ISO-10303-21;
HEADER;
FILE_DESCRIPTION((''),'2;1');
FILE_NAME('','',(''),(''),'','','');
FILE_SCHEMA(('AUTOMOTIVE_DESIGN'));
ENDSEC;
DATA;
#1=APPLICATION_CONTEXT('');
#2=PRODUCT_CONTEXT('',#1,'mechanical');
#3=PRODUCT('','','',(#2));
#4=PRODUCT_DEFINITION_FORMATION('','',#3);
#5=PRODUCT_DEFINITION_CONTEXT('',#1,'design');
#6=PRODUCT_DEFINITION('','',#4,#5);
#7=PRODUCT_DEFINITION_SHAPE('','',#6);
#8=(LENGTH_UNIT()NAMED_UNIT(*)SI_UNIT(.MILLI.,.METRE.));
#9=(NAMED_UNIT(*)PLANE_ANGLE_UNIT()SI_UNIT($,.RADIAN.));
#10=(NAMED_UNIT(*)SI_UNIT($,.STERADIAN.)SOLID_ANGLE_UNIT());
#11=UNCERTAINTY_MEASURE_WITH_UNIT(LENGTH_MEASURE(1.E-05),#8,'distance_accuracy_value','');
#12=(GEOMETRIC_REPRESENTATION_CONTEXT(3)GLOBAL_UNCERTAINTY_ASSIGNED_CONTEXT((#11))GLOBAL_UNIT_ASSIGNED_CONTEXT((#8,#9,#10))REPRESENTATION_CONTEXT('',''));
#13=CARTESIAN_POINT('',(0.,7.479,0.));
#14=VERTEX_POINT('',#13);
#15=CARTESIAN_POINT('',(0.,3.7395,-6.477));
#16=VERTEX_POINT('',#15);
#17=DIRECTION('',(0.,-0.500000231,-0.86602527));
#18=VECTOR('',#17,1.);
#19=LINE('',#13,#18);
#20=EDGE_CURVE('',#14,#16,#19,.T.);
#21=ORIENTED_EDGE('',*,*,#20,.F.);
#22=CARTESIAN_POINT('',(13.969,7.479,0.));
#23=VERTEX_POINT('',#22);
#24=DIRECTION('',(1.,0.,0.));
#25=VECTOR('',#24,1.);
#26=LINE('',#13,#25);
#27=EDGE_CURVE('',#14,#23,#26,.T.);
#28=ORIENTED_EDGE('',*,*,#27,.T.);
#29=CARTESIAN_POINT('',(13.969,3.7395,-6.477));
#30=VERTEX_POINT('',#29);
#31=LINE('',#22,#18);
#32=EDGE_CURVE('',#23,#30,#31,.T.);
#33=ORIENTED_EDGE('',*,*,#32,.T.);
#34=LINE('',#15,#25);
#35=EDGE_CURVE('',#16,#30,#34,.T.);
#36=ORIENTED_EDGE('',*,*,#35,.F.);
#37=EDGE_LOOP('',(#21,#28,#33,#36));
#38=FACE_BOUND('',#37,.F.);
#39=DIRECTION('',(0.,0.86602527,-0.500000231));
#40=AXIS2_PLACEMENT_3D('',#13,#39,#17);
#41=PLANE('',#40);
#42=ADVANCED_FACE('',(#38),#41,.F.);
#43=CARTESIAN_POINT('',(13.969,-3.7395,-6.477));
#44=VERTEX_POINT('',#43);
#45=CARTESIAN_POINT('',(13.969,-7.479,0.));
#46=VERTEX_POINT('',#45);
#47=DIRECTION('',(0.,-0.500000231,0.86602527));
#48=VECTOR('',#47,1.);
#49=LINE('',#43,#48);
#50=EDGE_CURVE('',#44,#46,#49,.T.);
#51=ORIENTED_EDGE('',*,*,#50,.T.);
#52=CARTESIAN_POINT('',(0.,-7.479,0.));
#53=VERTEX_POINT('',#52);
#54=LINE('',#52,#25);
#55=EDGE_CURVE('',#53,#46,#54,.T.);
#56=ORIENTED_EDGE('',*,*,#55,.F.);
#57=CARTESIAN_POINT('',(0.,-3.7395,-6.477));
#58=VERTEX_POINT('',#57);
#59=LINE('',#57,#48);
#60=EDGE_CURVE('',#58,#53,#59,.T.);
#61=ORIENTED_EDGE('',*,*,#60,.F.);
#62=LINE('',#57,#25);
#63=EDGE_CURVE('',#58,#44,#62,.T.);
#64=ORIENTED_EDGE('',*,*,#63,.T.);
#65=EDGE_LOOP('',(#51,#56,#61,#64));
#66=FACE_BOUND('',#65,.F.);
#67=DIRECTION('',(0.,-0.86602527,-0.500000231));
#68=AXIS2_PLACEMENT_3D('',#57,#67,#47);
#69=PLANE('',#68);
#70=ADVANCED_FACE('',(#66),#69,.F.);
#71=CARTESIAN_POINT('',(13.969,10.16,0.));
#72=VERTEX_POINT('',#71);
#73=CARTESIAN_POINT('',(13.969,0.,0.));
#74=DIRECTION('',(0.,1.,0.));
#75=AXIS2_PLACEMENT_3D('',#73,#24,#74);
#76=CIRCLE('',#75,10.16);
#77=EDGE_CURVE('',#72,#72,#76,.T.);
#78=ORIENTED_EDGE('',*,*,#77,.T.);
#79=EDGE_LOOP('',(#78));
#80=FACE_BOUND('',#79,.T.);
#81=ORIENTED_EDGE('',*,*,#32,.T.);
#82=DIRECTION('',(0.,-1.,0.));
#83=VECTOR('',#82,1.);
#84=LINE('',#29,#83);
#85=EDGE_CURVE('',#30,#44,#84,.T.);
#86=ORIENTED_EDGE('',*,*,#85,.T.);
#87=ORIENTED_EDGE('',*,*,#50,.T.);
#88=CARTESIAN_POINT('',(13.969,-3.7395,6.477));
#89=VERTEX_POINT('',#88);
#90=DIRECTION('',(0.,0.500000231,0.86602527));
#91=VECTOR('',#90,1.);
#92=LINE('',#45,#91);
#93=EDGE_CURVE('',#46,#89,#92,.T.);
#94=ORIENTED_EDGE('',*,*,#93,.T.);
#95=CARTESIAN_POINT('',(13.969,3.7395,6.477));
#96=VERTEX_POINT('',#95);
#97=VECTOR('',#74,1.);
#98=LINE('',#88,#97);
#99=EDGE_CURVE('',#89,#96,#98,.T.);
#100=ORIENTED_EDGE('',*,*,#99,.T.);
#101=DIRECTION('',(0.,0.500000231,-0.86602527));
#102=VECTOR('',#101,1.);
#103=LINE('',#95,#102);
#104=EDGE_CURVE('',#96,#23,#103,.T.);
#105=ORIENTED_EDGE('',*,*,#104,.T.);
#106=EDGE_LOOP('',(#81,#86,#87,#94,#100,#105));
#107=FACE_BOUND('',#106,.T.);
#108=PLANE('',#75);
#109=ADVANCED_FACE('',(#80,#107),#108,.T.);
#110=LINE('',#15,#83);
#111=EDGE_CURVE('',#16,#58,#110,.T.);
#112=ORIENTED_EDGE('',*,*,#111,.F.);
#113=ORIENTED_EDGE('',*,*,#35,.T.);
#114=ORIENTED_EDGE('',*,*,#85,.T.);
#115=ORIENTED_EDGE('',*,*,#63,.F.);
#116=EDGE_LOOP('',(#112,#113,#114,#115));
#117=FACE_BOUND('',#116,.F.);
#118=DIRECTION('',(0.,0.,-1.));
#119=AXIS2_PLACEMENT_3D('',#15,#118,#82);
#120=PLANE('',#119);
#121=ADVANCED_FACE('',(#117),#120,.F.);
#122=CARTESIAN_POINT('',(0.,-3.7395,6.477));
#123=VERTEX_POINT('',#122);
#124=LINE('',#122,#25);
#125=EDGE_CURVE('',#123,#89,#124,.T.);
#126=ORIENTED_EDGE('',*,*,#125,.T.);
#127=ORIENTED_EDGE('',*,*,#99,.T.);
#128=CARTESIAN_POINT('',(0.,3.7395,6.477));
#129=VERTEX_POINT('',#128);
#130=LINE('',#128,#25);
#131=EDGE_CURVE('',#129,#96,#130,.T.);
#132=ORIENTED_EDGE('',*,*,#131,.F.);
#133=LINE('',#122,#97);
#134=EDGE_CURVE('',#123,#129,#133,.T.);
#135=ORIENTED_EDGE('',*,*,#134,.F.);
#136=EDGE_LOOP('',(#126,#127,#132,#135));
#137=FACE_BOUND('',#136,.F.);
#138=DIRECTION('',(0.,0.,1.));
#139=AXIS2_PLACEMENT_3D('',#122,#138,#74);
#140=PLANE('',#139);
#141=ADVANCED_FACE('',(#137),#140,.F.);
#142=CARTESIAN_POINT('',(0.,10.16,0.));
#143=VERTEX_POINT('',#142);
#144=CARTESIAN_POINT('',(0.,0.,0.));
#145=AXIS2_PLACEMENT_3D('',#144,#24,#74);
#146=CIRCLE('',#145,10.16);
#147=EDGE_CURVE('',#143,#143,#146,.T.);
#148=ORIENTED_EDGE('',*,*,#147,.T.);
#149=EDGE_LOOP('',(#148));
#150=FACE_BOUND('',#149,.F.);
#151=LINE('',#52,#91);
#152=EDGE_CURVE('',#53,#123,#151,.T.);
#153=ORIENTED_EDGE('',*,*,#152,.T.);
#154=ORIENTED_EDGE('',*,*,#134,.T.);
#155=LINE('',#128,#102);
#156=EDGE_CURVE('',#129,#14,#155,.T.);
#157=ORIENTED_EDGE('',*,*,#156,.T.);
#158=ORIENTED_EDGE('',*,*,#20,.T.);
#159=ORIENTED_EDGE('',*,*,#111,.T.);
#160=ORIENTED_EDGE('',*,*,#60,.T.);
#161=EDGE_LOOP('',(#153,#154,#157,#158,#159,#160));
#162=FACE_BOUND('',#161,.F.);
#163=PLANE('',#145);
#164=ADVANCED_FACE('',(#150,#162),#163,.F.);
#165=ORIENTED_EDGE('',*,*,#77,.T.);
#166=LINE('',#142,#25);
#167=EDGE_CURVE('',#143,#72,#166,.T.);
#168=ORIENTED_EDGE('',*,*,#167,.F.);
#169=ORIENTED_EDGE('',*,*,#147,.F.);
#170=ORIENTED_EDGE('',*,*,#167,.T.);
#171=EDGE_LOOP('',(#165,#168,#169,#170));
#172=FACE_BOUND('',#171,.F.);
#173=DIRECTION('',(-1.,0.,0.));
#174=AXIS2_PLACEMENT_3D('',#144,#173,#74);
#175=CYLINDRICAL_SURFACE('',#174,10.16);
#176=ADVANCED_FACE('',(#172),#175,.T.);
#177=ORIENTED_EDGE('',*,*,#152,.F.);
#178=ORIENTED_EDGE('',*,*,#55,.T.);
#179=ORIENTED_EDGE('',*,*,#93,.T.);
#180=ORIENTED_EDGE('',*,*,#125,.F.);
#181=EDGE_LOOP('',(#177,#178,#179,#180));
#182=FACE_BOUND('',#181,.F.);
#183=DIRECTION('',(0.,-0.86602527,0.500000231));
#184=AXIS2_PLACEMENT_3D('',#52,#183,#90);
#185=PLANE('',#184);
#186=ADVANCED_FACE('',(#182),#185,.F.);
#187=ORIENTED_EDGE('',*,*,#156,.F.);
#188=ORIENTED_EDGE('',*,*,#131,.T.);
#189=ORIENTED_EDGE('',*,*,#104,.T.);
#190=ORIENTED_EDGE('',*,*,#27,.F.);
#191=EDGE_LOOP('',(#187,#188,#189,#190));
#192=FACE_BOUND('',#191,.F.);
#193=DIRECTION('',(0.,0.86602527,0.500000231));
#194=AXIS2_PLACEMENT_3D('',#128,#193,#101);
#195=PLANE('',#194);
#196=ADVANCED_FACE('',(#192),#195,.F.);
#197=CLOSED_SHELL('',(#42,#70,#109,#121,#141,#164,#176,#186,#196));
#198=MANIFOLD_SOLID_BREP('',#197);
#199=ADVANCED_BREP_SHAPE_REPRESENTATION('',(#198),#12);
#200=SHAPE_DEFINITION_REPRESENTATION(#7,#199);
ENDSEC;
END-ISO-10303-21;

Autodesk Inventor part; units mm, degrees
ref_plane "YZ Plane" through (0, 0, 0) normal (1, 0, 0) x (0, 1, 0)
ref_plane "XZ Plane" through (0, 0, 0) normal (0, 1, 0) x (-1, 0, 0)
ref_plane "XY Plane" through (0, 0, 0) normal (0, 0, 1) x (1, 0, 0)
sketch "Sketch1" plane through (0, 0, 0) normal (1, 0, 0) x (0, 1, 0)
  line L0 (3.7395, -6.477) -> (-3.7395, -6.477)
  line L1 (-3.7395, -6.477) -> (-7.479, 0)
  line L2 (-7.479, 0) -> (-3.7395, 6.477)
  line L3 (-3.7395, 6.477) -> (3.7395, 6.477)
  line L4 (3.7395, 6.477) -> (7.479, 0)
  line L5 (7.479, 0) -> (3.7395, -6.477)
  circle A0 centre (0, 0) radius 10.16
  dimension "d0" = 20.32
  dimension "d1" = 12.954
extrude "Extrusion1" add sketch "Sketch1" along normal blind 13.969
properties part number "3DPRINT,KICKER,MOTOR,SUPPORT-PLATE,SPACER" material "ABS Plastic"
